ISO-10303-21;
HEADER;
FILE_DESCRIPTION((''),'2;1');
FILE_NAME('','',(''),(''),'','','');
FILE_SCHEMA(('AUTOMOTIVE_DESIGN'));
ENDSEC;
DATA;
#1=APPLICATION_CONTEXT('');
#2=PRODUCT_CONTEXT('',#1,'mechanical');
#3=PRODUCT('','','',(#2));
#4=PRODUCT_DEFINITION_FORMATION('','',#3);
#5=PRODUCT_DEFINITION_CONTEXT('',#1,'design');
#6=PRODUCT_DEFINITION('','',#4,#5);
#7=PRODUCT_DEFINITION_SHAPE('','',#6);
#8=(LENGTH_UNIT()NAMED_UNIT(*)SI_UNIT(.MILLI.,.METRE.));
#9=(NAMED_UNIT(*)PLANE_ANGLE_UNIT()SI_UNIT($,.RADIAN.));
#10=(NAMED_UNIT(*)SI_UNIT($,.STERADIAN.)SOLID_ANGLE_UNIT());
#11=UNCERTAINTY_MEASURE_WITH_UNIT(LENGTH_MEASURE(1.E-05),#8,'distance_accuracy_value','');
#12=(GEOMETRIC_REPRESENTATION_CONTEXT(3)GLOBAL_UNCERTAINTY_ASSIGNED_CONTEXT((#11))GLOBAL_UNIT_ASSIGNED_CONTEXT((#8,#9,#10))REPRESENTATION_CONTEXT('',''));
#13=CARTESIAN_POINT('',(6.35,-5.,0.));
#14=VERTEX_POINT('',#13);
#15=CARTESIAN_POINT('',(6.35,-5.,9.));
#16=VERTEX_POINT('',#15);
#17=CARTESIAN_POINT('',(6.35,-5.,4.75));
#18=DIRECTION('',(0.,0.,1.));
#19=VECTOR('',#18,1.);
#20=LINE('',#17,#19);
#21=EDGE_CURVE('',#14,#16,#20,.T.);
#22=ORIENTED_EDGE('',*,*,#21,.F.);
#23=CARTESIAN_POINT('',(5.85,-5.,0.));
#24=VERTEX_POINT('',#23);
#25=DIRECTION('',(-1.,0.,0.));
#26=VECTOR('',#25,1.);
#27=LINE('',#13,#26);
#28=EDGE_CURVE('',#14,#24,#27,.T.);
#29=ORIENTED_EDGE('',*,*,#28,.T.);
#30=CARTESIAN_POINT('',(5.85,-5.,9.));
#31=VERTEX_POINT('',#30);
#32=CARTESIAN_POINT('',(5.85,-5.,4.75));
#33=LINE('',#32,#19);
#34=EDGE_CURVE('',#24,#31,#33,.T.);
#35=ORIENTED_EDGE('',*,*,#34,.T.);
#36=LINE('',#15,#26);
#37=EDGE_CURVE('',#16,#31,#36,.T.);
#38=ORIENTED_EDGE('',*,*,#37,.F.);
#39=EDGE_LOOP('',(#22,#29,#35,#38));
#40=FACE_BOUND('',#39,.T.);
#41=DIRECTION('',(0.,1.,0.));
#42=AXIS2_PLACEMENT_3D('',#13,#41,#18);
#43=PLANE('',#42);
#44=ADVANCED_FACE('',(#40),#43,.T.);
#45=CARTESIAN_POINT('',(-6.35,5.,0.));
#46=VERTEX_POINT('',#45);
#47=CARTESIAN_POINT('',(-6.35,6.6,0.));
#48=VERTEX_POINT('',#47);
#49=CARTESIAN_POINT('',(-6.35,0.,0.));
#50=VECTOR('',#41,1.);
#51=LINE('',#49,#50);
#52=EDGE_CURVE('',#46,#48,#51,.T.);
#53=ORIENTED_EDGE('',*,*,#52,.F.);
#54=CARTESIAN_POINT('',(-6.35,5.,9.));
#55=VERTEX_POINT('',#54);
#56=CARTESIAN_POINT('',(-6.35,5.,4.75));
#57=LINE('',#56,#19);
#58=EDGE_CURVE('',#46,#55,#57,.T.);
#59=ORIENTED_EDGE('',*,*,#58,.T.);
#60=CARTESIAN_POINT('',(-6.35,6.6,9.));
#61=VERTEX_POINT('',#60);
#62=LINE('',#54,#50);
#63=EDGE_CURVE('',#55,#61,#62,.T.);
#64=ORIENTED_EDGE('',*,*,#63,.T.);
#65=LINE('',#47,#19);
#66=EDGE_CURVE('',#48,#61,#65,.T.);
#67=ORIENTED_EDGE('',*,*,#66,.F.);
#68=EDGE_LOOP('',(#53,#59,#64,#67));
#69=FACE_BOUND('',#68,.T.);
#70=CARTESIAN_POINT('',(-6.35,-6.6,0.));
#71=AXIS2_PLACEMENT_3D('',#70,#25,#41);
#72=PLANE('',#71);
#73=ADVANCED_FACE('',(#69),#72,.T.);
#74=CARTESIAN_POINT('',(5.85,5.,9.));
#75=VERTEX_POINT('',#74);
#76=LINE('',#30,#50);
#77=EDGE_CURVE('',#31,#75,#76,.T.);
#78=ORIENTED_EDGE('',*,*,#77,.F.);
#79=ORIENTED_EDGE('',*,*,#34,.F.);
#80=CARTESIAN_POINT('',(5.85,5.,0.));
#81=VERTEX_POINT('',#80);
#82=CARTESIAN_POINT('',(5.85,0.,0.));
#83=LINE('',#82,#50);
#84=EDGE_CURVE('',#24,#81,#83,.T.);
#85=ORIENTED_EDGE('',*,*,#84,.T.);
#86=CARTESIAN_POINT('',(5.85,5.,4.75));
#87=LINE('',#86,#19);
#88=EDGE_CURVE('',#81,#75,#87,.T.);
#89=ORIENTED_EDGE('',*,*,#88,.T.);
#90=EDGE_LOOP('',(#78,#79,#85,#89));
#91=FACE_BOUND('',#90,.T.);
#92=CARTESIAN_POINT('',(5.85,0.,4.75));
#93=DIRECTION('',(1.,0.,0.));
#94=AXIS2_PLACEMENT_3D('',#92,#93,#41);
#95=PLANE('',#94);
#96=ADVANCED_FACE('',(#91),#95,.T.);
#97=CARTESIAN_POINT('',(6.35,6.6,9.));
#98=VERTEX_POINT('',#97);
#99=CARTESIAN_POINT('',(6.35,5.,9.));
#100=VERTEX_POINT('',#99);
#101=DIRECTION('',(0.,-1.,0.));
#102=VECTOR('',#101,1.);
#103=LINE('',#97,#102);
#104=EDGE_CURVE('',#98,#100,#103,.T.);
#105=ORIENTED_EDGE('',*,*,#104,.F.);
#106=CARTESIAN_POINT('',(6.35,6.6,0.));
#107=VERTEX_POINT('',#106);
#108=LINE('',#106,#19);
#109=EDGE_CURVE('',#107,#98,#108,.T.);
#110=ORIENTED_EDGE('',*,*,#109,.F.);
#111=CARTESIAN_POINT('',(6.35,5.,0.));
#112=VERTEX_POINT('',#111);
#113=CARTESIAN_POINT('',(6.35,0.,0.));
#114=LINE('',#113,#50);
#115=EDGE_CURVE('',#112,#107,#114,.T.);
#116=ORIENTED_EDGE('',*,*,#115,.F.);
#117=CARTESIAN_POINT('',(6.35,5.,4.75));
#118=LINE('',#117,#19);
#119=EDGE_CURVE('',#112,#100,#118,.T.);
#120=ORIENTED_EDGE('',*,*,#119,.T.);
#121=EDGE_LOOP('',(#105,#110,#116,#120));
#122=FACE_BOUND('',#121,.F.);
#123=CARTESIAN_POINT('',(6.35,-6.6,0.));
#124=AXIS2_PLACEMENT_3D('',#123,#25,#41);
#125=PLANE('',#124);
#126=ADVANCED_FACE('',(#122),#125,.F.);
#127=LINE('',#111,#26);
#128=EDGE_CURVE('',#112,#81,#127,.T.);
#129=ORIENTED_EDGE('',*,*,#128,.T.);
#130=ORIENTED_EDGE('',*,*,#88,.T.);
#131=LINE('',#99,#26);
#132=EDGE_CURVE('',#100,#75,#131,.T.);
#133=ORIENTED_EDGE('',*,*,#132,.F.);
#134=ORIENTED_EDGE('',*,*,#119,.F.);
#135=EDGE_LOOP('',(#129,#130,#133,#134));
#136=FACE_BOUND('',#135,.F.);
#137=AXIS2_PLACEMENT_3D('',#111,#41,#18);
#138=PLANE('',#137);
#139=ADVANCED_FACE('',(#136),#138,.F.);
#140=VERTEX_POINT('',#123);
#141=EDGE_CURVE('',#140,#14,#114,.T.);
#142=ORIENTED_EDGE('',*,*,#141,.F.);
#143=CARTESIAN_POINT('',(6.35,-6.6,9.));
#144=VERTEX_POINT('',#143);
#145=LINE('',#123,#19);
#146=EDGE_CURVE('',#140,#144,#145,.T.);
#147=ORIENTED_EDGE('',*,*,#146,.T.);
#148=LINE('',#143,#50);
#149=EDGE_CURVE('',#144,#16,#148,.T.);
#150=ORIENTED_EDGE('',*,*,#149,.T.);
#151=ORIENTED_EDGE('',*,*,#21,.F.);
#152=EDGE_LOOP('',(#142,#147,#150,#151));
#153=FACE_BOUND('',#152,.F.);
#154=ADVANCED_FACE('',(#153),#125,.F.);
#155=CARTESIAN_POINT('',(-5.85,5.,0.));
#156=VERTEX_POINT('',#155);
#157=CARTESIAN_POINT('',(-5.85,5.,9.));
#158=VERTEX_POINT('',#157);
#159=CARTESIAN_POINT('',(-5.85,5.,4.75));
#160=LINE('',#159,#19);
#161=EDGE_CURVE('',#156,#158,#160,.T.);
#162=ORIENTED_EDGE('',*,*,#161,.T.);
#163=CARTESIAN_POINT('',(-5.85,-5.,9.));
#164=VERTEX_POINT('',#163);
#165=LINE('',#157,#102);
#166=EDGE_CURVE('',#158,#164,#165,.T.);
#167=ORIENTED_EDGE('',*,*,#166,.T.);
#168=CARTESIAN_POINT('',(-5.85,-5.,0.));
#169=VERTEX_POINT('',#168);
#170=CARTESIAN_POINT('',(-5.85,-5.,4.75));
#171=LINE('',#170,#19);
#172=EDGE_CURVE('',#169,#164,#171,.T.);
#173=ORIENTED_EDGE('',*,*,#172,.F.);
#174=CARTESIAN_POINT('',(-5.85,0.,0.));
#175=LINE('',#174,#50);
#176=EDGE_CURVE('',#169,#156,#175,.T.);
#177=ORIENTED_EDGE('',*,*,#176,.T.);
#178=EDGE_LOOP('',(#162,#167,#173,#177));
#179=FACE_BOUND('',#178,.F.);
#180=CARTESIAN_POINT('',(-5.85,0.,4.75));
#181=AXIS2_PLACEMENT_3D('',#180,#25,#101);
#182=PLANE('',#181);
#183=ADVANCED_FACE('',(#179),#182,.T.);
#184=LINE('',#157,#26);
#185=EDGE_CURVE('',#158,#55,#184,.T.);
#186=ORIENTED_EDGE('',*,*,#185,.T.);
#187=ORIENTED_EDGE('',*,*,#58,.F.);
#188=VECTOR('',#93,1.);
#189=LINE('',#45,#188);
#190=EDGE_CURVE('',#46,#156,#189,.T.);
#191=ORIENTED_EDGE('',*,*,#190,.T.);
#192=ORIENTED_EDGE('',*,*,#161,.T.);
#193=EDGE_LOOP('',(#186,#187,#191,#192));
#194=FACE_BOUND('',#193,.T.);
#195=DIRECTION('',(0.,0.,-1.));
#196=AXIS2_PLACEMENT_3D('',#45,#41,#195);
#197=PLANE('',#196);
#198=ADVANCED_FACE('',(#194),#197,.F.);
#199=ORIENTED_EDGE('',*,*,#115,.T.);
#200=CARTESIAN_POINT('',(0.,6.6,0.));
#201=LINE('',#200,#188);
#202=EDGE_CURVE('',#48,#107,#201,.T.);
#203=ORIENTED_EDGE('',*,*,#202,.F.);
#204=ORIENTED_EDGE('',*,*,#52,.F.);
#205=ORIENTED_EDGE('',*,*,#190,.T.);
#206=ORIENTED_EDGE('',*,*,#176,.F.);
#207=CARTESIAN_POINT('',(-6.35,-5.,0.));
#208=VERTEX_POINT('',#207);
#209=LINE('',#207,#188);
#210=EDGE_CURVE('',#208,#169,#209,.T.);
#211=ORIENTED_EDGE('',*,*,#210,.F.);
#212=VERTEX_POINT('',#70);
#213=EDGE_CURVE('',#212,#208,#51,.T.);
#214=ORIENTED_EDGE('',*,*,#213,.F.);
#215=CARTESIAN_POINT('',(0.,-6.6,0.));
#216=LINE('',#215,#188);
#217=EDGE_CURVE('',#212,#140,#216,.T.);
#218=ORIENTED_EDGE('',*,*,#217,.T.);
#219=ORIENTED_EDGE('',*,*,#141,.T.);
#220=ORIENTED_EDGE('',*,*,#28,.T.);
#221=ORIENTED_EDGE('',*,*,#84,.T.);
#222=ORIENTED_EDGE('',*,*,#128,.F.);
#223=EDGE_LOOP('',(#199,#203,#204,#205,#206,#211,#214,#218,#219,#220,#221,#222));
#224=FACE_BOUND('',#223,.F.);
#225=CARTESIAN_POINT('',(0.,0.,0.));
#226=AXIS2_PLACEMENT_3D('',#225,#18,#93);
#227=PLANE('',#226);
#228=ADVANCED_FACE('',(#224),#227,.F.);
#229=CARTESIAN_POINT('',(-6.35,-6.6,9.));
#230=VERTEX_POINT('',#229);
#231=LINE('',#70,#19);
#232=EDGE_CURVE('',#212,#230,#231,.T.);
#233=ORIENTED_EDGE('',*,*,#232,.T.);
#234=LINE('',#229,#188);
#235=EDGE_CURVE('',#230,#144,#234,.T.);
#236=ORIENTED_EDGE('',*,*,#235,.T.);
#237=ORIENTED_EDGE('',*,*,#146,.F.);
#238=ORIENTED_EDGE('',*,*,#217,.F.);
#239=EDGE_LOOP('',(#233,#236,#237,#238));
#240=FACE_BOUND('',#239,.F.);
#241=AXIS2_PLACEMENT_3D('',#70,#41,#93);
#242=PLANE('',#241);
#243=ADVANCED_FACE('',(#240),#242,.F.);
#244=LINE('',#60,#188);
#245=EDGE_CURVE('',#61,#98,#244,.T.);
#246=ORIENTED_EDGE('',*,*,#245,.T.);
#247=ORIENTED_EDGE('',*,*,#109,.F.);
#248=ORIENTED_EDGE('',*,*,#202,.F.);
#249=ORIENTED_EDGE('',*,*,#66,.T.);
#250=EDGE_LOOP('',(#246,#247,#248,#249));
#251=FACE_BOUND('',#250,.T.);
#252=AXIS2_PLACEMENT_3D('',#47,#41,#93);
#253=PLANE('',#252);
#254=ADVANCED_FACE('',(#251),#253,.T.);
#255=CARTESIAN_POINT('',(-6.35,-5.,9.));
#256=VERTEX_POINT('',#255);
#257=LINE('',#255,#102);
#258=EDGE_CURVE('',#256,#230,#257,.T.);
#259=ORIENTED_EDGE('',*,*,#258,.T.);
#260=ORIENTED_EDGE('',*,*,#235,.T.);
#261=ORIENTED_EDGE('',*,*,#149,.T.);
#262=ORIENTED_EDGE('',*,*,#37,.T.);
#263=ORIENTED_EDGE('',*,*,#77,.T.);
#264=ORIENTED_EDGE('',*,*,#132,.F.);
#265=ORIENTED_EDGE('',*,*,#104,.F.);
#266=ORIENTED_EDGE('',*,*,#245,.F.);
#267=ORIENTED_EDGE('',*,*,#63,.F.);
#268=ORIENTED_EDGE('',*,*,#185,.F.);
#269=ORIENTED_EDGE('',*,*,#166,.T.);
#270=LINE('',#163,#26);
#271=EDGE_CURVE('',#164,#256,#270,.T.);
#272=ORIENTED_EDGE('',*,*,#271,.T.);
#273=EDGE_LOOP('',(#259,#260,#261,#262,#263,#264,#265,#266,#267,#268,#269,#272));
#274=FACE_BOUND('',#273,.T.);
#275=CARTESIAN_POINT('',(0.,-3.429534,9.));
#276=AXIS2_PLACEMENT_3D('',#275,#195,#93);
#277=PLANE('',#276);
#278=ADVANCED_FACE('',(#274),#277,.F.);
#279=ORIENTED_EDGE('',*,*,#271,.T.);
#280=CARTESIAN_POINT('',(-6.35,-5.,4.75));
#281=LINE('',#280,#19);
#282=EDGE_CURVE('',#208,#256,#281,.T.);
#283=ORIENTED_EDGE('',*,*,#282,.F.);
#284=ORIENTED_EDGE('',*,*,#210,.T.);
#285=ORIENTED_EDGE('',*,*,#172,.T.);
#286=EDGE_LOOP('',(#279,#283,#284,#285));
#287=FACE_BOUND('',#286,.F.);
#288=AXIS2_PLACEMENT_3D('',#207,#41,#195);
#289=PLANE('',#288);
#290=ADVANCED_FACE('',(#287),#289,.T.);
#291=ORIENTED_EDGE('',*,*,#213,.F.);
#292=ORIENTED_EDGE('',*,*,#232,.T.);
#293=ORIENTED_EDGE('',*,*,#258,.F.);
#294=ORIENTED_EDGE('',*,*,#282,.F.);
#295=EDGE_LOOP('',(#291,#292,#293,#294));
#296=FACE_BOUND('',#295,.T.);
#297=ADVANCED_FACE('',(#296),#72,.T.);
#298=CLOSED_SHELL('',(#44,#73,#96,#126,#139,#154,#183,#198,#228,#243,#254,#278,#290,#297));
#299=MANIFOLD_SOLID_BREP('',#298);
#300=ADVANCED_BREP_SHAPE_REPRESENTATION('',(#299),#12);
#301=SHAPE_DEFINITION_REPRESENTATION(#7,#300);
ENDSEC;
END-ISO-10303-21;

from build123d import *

# Parameters (mm, degrees)
SKETCH_W        = 12.7
SKETCH_H        = 13.2
PAD_DEPTH       = 9.5
SKETCH004_W     = 10
SKETCH004_H     = 9.5
POCKET_DEPTH    = 0.5
POCKET001_DEPTH = 0.5


with BuildPart() as part:
    # Sketch → Pad (new body)
    with BuildSketch(Plane.XY):
        Rectangle(SKETCH_W, SKETCH_H)
    extrude(amount=PAD_DEPTH)

    # Sketch004 → Pocket (cut)
    with BuildSketch(Plane.YZ.offset(6.35)):
        with Locations((0, 4.75)):
            Rectangle(SKETCH004_W, SKETCH004_H)
    pocket = extrude(amount=-POCKET_DEPTH, mode=Mode.SUBTRACT)

    # Mirrored: Pocket across YZ
    add(pocket.mirror(Plane.YZ), mode=Mode.SUBTRACT)

    # Sketch005 → Pocket001 (cut)
    with BuildSketch(Plane.XY.offset(9.5)):
        Polygon((-6.35, 6.6), (6.35, 6.6), (6.35, 5), (5.85, 5), (5.85, 0), (-5.85, 0), (-5.85, 5), (-6.35, 5), align=None)
    pocket001 = extrude(amount=-POCKET001_DEPTH, mode=Mode.SUBTRACT)

    # Mirrored001: Pocket001 across XZ
    add(pocket001.mirror(Plane.XZ), mode=Mode.SUBTRACT)


solid = part.part
